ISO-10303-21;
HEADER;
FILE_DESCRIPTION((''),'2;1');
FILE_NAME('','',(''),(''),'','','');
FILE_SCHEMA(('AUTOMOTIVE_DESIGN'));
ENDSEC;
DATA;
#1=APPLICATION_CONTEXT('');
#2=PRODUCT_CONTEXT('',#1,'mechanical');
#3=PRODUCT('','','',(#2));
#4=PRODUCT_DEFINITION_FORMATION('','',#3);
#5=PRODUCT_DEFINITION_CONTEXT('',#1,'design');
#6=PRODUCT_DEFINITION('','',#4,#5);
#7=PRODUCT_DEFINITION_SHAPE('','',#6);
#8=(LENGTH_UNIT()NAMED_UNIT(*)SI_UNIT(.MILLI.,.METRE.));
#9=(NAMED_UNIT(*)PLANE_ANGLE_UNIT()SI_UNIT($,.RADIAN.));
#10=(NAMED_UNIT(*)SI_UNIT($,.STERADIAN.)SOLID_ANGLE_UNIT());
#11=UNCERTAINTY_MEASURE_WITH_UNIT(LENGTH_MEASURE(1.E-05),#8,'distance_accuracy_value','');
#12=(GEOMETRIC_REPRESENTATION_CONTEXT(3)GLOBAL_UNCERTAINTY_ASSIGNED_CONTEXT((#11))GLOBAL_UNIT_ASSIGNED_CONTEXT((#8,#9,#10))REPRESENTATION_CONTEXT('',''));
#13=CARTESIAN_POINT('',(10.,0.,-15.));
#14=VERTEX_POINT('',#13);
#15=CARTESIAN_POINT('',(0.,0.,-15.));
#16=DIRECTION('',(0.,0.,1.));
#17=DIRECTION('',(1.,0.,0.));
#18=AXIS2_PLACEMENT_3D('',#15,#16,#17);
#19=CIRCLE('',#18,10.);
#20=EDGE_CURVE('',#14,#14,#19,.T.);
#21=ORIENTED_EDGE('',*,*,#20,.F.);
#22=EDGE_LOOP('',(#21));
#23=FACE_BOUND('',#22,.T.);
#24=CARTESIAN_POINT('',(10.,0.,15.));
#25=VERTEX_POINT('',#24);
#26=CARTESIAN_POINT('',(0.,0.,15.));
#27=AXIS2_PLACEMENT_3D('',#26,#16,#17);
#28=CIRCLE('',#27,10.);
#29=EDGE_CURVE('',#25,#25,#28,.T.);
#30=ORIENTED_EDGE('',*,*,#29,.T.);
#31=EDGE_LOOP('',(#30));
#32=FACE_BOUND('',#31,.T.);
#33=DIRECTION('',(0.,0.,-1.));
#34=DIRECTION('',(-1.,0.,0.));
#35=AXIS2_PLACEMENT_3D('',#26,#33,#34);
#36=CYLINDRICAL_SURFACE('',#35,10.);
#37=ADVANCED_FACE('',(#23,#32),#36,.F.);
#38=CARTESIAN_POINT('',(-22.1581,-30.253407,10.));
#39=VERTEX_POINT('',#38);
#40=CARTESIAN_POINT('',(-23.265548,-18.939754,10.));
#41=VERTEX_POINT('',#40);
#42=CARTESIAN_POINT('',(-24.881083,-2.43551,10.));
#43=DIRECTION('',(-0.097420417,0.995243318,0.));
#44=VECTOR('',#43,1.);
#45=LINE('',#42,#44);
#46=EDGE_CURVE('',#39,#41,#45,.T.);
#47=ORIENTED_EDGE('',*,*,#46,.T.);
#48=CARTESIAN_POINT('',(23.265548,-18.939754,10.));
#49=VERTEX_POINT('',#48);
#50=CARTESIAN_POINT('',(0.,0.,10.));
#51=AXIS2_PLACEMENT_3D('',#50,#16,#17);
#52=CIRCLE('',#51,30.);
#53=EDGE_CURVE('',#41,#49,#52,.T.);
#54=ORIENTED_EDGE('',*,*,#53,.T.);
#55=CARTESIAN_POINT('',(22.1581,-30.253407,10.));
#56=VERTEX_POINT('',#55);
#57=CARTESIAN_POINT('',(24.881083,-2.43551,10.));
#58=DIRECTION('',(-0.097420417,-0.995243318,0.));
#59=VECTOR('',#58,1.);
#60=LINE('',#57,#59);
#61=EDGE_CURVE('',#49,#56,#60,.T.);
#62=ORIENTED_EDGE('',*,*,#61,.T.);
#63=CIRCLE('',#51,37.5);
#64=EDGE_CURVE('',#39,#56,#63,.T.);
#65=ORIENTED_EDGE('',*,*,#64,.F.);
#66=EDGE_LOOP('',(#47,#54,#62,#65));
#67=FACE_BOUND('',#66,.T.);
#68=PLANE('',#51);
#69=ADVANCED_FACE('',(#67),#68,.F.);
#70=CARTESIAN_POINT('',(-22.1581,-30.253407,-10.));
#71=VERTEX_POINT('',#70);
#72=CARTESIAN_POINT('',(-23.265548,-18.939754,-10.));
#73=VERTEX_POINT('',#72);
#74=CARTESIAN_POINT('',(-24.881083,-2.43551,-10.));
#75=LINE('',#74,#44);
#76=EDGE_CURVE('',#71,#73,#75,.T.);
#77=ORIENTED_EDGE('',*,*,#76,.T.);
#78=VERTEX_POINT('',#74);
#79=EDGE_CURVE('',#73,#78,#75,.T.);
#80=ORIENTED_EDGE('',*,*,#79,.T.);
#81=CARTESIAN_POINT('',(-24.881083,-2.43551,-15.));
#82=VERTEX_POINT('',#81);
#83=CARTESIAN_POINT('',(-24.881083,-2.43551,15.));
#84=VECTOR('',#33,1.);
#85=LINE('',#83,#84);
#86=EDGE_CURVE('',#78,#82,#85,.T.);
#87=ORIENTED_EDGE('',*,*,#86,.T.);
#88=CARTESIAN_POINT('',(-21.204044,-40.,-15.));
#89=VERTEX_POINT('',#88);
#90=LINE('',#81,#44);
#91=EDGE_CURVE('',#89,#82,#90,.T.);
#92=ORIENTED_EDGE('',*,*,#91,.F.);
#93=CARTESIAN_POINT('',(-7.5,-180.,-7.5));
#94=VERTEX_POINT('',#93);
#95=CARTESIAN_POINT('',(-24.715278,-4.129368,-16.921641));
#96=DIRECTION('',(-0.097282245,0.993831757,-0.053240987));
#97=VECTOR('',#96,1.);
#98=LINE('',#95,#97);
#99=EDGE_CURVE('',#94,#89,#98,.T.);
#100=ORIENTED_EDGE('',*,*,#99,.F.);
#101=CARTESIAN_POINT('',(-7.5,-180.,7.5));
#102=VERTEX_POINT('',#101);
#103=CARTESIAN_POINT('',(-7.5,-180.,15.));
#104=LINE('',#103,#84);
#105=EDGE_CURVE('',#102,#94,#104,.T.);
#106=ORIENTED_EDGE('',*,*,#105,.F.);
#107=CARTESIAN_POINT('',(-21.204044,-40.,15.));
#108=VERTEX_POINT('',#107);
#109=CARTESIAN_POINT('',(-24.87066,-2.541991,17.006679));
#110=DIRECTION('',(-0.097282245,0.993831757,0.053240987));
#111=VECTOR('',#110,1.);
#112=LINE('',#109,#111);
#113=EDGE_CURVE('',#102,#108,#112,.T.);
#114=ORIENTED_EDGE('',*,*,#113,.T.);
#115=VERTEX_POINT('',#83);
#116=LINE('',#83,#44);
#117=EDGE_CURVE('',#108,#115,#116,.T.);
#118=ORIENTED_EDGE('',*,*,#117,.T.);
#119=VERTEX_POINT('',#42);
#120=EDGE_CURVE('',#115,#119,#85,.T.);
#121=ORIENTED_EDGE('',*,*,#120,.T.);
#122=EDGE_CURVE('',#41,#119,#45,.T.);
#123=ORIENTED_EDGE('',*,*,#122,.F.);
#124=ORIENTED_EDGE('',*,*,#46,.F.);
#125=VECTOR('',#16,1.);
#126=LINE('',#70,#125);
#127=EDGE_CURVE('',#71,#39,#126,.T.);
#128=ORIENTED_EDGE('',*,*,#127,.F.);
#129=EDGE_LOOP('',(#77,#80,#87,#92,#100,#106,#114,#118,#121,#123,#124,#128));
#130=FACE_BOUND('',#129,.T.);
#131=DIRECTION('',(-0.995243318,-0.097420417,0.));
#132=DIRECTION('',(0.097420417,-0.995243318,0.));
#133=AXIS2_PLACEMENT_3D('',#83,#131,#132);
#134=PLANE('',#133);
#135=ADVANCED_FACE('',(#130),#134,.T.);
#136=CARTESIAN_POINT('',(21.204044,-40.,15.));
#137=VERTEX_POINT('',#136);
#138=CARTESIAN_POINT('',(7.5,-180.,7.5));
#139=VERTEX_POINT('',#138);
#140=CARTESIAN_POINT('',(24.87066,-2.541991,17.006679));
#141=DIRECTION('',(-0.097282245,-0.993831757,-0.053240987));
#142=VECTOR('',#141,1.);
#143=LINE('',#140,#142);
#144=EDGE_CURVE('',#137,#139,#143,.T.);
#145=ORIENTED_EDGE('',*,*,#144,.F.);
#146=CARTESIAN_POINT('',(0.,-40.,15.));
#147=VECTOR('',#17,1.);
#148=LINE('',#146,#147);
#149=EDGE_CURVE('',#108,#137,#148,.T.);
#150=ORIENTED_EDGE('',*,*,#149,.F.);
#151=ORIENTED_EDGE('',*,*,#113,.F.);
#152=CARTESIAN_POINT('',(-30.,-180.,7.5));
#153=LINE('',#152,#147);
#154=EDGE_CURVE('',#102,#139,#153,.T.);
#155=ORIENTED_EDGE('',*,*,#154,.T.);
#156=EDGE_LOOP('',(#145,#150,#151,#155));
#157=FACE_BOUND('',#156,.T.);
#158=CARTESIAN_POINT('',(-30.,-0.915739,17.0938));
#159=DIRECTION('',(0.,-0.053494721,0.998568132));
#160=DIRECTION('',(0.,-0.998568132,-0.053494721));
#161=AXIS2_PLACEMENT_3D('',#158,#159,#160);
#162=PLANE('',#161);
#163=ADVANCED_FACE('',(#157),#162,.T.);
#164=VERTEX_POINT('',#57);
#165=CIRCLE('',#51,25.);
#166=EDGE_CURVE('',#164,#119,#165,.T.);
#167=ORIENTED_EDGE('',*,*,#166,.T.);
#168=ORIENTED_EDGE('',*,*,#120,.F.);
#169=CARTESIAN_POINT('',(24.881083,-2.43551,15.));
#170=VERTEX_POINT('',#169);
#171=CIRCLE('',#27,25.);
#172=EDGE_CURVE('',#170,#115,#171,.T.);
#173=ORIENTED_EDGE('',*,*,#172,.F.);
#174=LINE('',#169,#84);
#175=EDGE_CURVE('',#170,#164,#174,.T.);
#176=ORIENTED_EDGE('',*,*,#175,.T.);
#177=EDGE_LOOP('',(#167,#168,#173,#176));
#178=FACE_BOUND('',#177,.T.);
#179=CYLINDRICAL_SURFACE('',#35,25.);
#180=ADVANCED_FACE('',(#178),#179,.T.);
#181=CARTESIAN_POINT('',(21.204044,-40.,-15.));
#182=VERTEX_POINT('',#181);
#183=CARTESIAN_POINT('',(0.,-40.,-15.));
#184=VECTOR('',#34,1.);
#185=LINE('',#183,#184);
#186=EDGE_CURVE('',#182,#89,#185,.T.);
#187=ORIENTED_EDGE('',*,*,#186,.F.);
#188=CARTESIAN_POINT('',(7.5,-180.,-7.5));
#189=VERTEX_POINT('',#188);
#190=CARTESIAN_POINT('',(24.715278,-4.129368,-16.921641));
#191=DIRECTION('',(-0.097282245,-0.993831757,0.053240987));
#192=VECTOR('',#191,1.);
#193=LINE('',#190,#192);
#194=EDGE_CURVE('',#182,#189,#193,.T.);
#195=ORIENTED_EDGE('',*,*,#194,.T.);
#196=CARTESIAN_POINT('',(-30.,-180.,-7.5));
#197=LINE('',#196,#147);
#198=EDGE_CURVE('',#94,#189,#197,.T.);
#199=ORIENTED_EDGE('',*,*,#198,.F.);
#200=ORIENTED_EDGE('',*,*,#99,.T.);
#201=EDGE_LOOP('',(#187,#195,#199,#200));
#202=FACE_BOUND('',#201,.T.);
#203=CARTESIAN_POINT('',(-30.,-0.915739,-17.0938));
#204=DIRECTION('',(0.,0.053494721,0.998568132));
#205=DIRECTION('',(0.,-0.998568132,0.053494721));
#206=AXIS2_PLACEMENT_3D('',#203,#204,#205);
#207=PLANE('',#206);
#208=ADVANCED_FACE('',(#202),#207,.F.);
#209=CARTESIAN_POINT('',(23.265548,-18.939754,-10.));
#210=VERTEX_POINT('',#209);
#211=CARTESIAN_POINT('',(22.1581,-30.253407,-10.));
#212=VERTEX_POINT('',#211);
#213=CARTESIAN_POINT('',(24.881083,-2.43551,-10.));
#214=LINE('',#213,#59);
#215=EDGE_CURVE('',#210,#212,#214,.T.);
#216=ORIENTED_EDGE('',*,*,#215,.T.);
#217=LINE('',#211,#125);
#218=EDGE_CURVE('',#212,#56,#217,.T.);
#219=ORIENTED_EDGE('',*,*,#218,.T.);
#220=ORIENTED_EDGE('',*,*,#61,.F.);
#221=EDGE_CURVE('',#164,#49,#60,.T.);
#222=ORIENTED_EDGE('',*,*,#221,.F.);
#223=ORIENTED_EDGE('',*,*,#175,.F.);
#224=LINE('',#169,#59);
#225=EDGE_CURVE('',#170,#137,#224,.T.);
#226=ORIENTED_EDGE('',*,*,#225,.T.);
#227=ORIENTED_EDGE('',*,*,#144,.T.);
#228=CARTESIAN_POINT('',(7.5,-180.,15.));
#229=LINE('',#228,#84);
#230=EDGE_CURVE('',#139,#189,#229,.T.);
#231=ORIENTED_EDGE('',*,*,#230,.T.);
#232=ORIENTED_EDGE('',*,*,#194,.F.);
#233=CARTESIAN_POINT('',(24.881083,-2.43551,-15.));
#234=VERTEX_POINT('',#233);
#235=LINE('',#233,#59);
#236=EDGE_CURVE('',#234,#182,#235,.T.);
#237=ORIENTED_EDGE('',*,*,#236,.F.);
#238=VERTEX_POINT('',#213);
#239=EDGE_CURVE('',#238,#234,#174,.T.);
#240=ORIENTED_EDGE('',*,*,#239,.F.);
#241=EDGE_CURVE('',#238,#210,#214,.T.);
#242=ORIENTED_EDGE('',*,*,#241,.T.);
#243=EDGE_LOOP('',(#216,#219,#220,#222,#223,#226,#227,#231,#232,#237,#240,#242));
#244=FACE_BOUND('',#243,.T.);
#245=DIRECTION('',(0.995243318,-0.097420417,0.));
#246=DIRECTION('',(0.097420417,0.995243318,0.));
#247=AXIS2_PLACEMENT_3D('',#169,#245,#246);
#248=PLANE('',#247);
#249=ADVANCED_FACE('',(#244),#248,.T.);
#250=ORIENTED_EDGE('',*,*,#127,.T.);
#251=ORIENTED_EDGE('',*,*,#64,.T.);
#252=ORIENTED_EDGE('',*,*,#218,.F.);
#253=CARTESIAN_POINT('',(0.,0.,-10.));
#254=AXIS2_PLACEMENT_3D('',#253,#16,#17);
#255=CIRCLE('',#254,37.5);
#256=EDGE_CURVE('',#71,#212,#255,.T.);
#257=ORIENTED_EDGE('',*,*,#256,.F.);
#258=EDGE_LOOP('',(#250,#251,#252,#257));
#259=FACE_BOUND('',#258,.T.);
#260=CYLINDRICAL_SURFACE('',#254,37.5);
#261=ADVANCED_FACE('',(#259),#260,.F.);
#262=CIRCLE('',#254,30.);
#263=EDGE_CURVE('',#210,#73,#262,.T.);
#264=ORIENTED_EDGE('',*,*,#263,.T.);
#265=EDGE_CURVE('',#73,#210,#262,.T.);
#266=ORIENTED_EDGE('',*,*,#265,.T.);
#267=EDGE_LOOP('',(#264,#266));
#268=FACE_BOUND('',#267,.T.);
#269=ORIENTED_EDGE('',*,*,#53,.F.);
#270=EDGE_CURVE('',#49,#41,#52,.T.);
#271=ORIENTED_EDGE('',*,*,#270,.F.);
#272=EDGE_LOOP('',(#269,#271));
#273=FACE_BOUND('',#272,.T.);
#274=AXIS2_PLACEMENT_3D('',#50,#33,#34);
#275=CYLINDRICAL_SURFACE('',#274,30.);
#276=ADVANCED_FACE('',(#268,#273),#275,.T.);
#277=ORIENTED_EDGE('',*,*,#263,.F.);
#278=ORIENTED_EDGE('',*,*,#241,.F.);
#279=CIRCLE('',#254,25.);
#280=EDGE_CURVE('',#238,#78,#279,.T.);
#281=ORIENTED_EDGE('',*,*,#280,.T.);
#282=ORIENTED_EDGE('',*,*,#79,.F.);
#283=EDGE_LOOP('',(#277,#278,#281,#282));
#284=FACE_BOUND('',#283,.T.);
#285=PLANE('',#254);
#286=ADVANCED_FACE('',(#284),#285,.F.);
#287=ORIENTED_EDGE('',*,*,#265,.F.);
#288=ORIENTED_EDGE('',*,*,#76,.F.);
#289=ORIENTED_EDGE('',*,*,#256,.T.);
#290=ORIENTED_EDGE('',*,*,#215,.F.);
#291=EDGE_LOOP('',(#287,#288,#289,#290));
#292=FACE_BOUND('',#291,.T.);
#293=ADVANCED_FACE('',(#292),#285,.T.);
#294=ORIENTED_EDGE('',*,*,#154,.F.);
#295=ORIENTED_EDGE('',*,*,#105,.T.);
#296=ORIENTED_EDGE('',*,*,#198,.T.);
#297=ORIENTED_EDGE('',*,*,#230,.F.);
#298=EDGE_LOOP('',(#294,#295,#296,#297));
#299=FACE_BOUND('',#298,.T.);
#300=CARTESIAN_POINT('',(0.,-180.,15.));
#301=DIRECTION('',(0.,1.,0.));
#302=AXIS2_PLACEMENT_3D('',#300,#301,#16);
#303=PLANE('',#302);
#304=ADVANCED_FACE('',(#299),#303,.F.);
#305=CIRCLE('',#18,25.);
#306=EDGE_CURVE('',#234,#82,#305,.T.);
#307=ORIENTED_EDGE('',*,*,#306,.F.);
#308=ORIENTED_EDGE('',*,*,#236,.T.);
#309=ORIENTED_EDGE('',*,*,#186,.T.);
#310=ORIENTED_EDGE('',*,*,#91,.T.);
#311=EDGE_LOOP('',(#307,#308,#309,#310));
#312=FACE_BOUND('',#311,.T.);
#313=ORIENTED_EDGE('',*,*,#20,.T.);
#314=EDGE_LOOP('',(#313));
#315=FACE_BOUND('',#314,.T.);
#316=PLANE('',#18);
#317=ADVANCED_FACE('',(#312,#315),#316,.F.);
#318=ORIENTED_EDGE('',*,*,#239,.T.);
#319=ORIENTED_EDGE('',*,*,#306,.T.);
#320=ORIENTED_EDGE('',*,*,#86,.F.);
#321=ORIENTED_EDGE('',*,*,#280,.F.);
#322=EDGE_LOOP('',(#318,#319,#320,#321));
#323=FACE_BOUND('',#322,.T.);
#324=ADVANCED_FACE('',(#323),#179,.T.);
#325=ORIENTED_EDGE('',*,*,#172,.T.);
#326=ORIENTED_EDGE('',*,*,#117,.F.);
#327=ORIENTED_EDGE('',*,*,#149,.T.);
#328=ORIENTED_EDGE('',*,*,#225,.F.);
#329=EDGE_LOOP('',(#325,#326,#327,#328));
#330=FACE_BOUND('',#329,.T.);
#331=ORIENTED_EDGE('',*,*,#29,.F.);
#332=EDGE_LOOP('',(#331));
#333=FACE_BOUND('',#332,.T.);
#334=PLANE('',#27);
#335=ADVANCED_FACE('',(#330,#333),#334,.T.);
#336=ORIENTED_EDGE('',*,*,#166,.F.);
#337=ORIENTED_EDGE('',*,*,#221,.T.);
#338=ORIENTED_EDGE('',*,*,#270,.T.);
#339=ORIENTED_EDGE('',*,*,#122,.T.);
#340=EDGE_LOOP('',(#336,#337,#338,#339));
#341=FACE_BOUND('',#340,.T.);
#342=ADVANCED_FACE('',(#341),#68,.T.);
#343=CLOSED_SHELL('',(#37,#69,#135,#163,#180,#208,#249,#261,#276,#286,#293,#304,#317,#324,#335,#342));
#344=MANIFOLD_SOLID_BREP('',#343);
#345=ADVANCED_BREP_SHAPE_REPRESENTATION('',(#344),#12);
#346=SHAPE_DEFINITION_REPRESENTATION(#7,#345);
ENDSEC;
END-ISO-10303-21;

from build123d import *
from build123d.topology import SkipClean

# Parameters (mm, degrees)
SKETCH1_R               = 10
BOSS_EXTRUDE1_DEPTH     = 15
CUT_EXTRUDE1_DEPTH      = 10
SKETCH1_5_R             = 30
SKETCH1_5_R_2           = 25
BOSS_EXTRUDE2_DEPTH     = 10
CUT_EXTRUDE2_DEPTH      = 184.098334236
CUT_EXTRUDE2_DEPTH_BACK = 184.098334236


with BuildPart() as part:
    # Sketch1 → Boss-Extrude1 (new, symmetric)
    with BuildSketch(Plane.XY):
        with BuildLine():
            ThreePointArc((24.881082953, -2.435510432), (0, 25), (-24.881082953, -2.435510432))
            Line((-24.881082953, -2.435510432), (-7.5, -180))
            Line((-7.5, -180), (7.5, -180))
            Line((7.5, -180), (24.881082953, -2.435510432))
        make_face()
        Circle(SKETCH1_R, mode=Mode.SUBTRACT)
    extrude(amount=BOSS_EXTRUDE1_DEPTH, both=True)

    # Sketch1<4> → Cut-Extrude1 (cut, symmetric)
    with SkipClean():  # the faces are left unmerged after this step: merging them gives an invalid solid
        with BuildSketch(Plane.XY):
            with BuildLine():
                ThreePointArc((24.881082953, -2.435510432), (0, -25), (-24.881082953, -2.435510432))
                Line((-24.881082953, -2.435510432), (-22.15809951, -30.253406851))
                ThreePointArc((-22.15809951, -30.253406851), (0, -37.5), (22.15809951, -30.253406851))
                Line((22.15809951, -30.253406851), (24.881082953, -2.435510432))
            make_face()
        extrude(amount=CUT_EXTRUDE1_DEPTH, both=True, mode=Mode.SUBTRACT)

    # Sketch1<5> → Boss-Extrude2 (add, symmetric)
    with BuildSketch(Plane.XY):
        Circle(SKETCH1_5_R)
        Circle(SKETCH1_5_R_2, mode=Mode.SUBTRACT)
    extrude(amount=BOSS_EXTRUDE2_DEPTH, both=True)

    # Sketch3 → Cut-Extrude2 (cut, two sides: drawn at the far end of the back side and taken through both)
    with BuildSketch(Plane(origin=(0, 0, 0), x_dir=(0, 0, -1), z_dir=(1, 0, 0)).offset(-CUT_EXTRUDE2_DEPTH_BACK)):
        Polygon((-15, -180), (-7.5, -180), (-15, -40), align=None)
        Polygon((15, -40), (7.5, -180), (15, -180), align=None)
    extrude(amount=CUT_EXTRUDE2_DEPTH + CUT_EXTRUDE2_DEPTH_BACK, mode=Mode.SUBTRACT)


solid = part.part
